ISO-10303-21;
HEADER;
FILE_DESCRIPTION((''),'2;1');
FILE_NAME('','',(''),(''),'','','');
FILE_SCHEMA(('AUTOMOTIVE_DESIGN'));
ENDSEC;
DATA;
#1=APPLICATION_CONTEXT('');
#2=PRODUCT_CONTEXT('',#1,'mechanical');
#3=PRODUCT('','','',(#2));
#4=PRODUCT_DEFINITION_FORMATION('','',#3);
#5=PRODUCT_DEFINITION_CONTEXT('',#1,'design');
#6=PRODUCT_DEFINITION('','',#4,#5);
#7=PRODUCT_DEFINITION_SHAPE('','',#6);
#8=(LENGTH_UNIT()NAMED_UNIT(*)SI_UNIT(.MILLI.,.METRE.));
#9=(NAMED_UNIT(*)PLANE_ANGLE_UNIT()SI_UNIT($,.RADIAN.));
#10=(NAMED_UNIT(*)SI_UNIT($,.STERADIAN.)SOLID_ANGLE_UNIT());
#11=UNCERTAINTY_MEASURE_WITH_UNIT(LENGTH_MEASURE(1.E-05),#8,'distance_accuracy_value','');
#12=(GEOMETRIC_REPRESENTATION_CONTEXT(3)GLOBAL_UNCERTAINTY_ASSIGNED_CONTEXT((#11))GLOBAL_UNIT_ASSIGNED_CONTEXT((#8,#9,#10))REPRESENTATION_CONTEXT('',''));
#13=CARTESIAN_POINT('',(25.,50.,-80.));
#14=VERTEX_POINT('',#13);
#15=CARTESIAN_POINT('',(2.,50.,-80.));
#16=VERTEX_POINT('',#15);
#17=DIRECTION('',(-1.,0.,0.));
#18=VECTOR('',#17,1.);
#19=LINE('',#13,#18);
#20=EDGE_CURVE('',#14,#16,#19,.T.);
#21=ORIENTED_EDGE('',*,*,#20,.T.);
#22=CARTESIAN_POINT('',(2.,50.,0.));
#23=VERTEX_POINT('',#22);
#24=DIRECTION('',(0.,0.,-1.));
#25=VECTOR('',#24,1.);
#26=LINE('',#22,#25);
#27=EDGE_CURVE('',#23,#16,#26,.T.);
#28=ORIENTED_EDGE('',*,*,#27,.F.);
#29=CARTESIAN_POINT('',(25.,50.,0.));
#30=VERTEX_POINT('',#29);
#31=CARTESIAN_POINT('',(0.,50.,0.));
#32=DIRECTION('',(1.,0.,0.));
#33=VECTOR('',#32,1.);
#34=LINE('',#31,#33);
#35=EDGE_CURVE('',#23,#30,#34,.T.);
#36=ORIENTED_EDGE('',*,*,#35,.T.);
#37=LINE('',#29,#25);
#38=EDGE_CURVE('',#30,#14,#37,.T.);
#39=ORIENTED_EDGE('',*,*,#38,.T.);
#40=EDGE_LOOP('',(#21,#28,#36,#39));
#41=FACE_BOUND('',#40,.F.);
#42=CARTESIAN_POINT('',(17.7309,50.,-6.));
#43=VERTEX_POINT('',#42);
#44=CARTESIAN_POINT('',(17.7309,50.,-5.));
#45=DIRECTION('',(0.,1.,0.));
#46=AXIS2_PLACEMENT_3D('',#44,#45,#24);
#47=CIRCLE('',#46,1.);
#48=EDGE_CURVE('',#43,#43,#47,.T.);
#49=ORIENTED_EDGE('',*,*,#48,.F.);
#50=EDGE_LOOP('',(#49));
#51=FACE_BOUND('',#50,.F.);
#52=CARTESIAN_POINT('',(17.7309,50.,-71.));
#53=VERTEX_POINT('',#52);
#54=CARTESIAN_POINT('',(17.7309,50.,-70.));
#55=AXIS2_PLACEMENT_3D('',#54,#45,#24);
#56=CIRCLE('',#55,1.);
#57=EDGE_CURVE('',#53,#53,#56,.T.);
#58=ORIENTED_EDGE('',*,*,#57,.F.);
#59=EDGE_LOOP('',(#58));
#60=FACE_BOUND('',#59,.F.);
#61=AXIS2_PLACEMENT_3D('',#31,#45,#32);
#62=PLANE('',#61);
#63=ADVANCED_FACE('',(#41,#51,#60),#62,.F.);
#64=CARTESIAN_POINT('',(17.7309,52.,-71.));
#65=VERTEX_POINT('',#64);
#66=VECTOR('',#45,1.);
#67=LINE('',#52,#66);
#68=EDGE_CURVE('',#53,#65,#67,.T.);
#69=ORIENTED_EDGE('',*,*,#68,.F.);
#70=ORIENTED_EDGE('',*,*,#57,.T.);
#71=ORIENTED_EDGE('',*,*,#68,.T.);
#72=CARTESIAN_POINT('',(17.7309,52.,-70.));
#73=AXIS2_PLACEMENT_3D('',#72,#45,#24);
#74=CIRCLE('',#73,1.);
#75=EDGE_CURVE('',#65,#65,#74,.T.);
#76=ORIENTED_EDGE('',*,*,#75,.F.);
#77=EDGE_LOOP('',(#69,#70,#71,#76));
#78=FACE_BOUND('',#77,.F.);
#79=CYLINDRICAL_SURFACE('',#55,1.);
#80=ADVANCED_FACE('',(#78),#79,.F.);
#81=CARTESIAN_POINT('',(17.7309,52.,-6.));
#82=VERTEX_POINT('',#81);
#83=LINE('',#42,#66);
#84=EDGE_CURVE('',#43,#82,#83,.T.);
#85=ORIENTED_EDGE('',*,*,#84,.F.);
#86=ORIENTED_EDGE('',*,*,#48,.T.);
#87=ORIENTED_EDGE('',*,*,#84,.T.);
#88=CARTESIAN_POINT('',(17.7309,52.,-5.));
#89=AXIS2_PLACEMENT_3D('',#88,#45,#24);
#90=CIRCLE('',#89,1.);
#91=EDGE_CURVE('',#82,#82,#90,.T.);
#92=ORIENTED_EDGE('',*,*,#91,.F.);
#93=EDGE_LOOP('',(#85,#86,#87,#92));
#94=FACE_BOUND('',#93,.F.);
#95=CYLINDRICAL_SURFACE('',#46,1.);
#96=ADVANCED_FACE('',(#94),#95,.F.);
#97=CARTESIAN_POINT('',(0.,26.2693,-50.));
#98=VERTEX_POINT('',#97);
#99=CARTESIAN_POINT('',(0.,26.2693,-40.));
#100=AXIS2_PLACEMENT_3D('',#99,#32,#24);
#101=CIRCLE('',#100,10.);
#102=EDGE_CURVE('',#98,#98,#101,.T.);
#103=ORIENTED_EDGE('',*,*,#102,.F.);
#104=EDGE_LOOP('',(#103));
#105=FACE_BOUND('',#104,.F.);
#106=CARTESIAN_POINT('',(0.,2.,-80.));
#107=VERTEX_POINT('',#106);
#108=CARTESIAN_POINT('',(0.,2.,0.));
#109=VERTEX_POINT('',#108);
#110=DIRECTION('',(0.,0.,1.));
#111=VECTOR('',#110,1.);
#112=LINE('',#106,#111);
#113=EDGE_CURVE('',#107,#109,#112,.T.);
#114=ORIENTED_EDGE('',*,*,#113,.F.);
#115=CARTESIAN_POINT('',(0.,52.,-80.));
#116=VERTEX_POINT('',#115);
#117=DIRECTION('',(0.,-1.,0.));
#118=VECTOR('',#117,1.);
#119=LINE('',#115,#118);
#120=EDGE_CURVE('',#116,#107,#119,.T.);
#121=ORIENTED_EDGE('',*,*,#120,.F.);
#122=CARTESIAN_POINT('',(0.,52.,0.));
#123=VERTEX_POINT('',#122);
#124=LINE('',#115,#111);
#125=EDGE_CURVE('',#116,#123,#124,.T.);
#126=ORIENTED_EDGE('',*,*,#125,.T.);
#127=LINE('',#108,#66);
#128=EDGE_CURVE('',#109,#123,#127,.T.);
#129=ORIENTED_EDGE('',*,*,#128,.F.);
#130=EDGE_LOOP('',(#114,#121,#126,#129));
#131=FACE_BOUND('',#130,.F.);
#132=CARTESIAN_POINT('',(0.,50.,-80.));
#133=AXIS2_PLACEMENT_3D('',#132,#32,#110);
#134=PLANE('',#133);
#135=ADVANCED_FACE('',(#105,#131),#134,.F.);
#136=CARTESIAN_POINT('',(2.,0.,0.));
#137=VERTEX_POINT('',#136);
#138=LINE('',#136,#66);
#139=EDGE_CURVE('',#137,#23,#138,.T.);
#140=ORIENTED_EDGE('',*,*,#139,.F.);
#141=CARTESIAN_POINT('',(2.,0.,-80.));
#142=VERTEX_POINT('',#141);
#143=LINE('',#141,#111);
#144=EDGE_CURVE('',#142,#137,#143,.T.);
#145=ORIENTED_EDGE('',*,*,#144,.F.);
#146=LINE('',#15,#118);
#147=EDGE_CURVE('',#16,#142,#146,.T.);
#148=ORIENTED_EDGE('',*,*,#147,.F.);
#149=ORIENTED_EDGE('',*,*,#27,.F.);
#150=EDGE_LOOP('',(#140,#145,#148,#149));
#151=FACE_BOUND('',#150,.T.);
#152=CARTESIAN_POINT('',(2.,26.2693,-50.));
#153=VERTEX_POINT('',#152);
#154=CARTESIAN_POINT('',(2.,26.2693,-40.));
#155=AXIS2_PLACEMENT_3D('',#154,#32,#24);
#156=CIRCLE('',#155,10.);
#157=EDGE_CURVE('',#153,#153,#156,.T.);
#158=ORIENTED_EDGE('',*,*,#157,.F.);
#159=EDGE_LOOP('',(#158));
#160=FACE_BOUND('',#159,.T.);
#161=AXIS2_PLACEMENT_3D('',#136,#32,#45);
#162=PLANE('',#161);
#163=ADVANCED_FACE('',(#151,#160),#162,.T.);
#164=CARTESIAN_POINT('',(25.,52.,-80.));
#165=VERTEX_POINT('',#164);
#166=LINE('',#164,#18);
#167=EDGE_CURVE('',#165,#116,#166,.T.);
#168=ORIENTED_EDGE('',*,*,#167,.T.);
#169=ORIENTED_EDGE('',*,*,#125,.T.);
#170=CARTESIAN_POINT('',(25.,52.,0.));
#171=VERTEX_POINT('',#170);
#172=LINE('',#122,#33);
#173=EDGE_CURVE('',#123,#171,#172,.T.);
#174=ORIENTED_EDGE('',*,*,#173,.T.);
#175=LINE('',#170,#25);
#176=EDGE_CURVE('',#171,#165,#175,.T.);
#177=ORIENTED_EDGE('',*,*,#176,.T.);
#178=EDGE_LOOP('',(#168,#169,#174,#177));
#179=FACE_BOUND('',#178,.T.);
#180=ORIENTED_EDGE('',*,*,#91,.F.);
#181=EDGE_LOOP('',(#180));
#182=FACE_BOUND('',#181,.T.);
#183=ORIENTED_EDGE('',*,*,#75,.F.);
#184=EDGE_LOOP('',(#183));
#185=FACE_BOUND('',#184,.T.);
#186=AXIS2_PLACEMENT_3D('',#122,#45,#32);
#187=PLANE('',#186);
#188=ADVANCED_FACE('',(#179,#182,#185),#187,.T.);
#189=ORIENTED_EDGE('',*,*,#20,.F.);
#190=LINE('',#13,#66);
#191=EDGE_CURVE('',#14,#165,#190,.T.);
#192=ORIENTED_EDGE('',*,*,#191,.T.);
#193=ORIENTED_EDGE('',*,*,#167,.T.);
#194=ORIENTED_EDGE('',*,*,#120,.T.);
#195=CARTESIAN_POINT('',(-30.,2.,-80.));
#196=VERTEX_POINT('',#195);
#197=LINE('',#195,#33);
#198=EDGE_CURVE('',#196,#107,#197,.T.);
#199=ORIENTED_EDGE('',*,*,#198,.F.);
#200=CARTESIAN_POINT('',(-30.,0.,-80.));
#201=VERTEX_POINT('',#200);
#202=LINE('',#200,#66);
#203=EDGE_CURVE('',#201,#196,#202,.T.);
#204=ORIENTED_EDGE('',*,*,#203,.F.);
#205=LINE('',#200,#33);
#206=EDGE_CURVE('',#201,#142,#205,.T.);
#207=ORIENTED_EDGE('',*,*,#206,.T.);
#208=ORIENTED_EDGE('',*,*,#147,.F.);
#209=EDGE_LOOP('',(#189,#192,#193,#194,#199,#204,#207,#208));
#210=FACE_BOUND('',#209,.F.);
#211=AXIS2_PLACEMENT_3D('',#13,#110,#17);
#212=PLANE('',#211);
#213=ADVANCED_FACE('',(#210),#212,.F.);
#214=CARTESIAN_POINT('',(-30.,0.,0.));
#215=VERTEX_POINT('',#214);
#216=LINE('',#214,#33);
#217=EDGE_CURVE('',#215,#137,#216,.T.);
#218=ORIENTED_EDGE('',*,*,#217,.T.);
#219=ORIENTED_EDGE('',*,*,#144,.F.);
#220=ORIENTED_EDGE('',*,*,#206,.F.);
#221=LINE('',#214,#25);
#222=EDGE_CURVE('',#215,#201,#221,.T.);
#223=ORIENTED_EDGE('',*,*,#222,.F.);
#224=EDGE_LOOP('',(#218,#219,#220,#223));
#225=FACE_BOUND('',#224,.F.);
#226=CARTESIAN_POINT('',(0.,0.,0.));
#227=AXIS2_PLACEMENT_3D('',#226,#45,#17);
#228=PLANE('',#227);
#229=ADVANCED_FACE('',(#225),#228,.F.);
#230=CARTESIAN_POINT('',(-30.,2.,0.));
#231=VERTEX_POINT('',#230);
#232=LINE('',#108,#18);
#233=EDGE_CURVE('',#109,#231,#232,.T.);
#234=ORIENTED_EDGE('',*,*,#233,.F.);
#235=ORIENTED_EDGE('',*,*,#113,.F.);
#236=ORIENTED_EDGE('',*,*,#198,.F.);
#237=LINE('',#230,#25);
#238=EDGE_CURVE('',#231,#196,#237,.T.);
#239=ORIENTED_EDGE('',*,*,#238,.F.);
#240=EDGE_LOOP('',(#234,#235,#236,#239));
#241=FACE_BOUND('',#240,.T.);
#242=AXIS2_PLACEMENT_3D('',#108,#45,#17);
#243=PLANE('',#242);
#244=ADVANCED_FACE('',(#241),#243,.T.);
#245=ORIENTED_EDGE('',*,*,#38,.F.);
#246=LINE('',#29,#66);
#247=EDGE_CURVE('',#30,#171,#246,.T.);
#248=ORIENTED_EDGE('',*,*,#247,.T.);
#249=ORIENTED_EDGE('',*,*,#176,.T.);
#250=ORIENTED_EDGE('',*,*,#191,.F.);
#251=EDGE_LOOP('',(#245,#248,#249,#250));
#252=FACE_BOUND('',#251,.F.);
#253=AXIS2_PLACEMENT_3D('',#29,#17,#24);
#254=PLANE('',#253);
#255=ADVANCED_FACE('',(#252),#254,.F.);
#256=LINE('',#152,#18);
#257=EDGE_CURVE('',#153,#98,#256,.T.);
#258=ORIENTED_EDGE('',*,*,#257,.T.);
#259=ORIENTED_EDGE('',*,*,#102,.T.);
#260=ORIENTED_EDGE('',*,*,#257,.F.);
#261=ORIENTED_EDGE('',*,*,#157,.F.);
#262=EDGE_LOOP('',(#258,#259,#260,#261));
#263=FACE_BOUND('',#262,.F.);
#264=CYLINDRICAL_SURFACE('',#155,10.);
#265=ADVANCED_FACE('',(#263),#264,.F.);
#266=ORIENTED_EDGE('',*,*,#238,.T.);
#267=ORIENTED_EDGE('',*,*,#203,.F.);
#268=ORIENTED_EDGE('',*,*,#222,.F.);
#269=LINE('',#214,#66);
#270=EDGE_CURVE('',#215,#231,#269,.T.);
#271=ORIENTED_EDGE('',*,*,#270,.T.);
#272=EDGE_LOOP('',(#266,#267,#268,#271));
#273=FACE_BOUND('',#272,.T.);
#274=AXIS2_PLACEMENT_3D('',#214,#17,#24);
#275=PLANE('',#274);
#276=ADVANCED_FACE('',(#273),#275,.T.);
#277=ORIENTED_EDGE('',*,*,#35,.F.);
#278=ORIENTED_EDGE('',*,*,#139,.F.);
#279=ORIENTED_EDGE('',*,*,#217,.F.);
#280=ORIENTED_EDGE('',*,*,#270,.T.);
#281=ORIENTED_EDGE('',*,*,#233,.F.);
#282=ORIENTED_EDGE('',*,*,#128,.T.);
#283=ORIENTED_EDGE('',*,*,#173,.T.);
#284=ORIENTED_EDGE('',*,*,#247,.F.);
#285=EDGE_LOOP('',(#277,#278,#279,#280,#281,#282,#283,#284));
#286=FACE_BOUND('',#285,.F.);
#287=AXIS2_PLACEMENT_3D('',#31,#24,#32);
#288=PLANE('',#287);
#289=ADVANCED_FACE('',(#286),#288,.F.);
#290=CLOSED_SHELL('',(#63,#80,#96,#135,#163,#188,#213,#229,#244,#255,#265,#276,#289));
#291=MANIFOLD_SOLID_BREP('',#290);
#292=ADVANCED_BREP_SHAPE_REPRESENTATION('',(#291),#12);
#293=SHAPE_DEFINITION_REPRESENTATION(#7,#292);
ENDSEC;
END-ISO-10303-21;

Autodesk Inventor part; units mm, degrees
ref_plane "YZ Plane" through (0, 0, 0) normal (1, 0, 0) x (0, 1, 0)
ref_plane "XZ Plane" through (0, 0, 0) normal (0, 1, 0) x (-1, 0, 0)
ref_plane "XY Plane" through (0, 0, 0) normal (0, 0, 1) x (1, 0, 0)
sketch "Sketch1" plane through (0, 0, 0) normal (0, 1, 0) x (-1, 0, 0)
  line L0 (0, 0) -> (30, 0)
  line L1 (30, 0) -> (30, -80)
  line L2 (30, -80) -> (0, -80)
  line L3 (0, -80) -> (0, 0)
  dimension "d0" = 30
  dimension "d1" = 80
extrude "Extrusion1" add sketch "Sketch1" along normal blind 2
sketch "Sketch2" plane through (0, 0, 0) normal (0, 0, 1) x (1, 0, 0)
  point P0 (0, 0)
sketch "Sketch3" plane through (0, 0, 0) normal (1, 0, 0) x (0, 1, 0)
  line L0 (0, 0) -> (50, 0)
  line L1 (50, 0) -> (50, -80)
  line L2 (50, -80) -> (0, -80)
  line L3 (0, -80) -> (0, 0)
  dimension "d4" = 50
  dimension "d11" = 80
extrude "Extrusion2" add sketch "Sketch3" along normal blind 2
sketch "Sketch4" plane through (0, 0, 0) normal (0, 1, 0) x (-1, 0, 0)
  point P0 (0, 0)
sketch "Sketch5" plane through (0, 0, 0) normal (-1, 0, 0) x (0, 0, 1)
  point P0 (0, 0)
sketch "Sketch6" plane through (0, 50, 0) normal (0, 1, 0) x (1, 0, 0)
  line L0 (-30, 0) -> (0, 0) projected
  line L1 (0, 0) -> (25, 0)
  line L2 (25, 0) -> (25, 80)
  line L3 (25, 80) -> (0, 80)
  line L4 (0, 80) -> (0, 0)
  dimension "d7" = 25
  dimension "d8" = 80
extrude "Extrusion3" add sketch "Sketch6" along normal blind 2
sketch "Sketch7" plane through (0, 2, 0) normal (0, 1, 0) x (1, 0, 0)
  point P0 (0, 0)
  point P1 (-20.3201, 56.529)
  point P2 (-18.421, 5.5073)
sketch "Sketch8" plane through (0, 0, 0) normal (0, -1, 0) x (1, 0, 0)
  point P0 (0, 0)
sketch "Sketch9" plane through (0, 50, 0) normal (0, -1, 0) x (1, 0, 0)
  line L0 (2, -80) -> (2, 0) projected
  line L1 (2, 0) -> (25, 0) projected
  line L2 (25, -80) -> (2, -80) projected
  point P0 (0, 0)
  point P1 (2, -65)
  point P2 (2, 0)
  point P3 (17.7309, -70)
  point P4 (17.7309, 0)
  point P5 (17.7309, -70)
  point P6 (17.7309, -5)
  dimension "d12" = 10
hole "Hole1" at (17.7309, 50, -70) at (17.7309, 50, -5) direction (0, 1, 0) diameter 2 depth 25 tip angle 118
sketch "Sketch10" plane through (2, 0, 0) normal (1, 0, 0) x (0, 0, -1)
  circle A0 centre (40, 26.2693) radius 10
  line L0 (80, 0) -> (80, 50) projected
  point P0 (0, 0)
  dimension "d20" = 20
  dimension "d21" = 40
extrude "Extrusion4" cut sketch "Sketch10" against normal blind 2
